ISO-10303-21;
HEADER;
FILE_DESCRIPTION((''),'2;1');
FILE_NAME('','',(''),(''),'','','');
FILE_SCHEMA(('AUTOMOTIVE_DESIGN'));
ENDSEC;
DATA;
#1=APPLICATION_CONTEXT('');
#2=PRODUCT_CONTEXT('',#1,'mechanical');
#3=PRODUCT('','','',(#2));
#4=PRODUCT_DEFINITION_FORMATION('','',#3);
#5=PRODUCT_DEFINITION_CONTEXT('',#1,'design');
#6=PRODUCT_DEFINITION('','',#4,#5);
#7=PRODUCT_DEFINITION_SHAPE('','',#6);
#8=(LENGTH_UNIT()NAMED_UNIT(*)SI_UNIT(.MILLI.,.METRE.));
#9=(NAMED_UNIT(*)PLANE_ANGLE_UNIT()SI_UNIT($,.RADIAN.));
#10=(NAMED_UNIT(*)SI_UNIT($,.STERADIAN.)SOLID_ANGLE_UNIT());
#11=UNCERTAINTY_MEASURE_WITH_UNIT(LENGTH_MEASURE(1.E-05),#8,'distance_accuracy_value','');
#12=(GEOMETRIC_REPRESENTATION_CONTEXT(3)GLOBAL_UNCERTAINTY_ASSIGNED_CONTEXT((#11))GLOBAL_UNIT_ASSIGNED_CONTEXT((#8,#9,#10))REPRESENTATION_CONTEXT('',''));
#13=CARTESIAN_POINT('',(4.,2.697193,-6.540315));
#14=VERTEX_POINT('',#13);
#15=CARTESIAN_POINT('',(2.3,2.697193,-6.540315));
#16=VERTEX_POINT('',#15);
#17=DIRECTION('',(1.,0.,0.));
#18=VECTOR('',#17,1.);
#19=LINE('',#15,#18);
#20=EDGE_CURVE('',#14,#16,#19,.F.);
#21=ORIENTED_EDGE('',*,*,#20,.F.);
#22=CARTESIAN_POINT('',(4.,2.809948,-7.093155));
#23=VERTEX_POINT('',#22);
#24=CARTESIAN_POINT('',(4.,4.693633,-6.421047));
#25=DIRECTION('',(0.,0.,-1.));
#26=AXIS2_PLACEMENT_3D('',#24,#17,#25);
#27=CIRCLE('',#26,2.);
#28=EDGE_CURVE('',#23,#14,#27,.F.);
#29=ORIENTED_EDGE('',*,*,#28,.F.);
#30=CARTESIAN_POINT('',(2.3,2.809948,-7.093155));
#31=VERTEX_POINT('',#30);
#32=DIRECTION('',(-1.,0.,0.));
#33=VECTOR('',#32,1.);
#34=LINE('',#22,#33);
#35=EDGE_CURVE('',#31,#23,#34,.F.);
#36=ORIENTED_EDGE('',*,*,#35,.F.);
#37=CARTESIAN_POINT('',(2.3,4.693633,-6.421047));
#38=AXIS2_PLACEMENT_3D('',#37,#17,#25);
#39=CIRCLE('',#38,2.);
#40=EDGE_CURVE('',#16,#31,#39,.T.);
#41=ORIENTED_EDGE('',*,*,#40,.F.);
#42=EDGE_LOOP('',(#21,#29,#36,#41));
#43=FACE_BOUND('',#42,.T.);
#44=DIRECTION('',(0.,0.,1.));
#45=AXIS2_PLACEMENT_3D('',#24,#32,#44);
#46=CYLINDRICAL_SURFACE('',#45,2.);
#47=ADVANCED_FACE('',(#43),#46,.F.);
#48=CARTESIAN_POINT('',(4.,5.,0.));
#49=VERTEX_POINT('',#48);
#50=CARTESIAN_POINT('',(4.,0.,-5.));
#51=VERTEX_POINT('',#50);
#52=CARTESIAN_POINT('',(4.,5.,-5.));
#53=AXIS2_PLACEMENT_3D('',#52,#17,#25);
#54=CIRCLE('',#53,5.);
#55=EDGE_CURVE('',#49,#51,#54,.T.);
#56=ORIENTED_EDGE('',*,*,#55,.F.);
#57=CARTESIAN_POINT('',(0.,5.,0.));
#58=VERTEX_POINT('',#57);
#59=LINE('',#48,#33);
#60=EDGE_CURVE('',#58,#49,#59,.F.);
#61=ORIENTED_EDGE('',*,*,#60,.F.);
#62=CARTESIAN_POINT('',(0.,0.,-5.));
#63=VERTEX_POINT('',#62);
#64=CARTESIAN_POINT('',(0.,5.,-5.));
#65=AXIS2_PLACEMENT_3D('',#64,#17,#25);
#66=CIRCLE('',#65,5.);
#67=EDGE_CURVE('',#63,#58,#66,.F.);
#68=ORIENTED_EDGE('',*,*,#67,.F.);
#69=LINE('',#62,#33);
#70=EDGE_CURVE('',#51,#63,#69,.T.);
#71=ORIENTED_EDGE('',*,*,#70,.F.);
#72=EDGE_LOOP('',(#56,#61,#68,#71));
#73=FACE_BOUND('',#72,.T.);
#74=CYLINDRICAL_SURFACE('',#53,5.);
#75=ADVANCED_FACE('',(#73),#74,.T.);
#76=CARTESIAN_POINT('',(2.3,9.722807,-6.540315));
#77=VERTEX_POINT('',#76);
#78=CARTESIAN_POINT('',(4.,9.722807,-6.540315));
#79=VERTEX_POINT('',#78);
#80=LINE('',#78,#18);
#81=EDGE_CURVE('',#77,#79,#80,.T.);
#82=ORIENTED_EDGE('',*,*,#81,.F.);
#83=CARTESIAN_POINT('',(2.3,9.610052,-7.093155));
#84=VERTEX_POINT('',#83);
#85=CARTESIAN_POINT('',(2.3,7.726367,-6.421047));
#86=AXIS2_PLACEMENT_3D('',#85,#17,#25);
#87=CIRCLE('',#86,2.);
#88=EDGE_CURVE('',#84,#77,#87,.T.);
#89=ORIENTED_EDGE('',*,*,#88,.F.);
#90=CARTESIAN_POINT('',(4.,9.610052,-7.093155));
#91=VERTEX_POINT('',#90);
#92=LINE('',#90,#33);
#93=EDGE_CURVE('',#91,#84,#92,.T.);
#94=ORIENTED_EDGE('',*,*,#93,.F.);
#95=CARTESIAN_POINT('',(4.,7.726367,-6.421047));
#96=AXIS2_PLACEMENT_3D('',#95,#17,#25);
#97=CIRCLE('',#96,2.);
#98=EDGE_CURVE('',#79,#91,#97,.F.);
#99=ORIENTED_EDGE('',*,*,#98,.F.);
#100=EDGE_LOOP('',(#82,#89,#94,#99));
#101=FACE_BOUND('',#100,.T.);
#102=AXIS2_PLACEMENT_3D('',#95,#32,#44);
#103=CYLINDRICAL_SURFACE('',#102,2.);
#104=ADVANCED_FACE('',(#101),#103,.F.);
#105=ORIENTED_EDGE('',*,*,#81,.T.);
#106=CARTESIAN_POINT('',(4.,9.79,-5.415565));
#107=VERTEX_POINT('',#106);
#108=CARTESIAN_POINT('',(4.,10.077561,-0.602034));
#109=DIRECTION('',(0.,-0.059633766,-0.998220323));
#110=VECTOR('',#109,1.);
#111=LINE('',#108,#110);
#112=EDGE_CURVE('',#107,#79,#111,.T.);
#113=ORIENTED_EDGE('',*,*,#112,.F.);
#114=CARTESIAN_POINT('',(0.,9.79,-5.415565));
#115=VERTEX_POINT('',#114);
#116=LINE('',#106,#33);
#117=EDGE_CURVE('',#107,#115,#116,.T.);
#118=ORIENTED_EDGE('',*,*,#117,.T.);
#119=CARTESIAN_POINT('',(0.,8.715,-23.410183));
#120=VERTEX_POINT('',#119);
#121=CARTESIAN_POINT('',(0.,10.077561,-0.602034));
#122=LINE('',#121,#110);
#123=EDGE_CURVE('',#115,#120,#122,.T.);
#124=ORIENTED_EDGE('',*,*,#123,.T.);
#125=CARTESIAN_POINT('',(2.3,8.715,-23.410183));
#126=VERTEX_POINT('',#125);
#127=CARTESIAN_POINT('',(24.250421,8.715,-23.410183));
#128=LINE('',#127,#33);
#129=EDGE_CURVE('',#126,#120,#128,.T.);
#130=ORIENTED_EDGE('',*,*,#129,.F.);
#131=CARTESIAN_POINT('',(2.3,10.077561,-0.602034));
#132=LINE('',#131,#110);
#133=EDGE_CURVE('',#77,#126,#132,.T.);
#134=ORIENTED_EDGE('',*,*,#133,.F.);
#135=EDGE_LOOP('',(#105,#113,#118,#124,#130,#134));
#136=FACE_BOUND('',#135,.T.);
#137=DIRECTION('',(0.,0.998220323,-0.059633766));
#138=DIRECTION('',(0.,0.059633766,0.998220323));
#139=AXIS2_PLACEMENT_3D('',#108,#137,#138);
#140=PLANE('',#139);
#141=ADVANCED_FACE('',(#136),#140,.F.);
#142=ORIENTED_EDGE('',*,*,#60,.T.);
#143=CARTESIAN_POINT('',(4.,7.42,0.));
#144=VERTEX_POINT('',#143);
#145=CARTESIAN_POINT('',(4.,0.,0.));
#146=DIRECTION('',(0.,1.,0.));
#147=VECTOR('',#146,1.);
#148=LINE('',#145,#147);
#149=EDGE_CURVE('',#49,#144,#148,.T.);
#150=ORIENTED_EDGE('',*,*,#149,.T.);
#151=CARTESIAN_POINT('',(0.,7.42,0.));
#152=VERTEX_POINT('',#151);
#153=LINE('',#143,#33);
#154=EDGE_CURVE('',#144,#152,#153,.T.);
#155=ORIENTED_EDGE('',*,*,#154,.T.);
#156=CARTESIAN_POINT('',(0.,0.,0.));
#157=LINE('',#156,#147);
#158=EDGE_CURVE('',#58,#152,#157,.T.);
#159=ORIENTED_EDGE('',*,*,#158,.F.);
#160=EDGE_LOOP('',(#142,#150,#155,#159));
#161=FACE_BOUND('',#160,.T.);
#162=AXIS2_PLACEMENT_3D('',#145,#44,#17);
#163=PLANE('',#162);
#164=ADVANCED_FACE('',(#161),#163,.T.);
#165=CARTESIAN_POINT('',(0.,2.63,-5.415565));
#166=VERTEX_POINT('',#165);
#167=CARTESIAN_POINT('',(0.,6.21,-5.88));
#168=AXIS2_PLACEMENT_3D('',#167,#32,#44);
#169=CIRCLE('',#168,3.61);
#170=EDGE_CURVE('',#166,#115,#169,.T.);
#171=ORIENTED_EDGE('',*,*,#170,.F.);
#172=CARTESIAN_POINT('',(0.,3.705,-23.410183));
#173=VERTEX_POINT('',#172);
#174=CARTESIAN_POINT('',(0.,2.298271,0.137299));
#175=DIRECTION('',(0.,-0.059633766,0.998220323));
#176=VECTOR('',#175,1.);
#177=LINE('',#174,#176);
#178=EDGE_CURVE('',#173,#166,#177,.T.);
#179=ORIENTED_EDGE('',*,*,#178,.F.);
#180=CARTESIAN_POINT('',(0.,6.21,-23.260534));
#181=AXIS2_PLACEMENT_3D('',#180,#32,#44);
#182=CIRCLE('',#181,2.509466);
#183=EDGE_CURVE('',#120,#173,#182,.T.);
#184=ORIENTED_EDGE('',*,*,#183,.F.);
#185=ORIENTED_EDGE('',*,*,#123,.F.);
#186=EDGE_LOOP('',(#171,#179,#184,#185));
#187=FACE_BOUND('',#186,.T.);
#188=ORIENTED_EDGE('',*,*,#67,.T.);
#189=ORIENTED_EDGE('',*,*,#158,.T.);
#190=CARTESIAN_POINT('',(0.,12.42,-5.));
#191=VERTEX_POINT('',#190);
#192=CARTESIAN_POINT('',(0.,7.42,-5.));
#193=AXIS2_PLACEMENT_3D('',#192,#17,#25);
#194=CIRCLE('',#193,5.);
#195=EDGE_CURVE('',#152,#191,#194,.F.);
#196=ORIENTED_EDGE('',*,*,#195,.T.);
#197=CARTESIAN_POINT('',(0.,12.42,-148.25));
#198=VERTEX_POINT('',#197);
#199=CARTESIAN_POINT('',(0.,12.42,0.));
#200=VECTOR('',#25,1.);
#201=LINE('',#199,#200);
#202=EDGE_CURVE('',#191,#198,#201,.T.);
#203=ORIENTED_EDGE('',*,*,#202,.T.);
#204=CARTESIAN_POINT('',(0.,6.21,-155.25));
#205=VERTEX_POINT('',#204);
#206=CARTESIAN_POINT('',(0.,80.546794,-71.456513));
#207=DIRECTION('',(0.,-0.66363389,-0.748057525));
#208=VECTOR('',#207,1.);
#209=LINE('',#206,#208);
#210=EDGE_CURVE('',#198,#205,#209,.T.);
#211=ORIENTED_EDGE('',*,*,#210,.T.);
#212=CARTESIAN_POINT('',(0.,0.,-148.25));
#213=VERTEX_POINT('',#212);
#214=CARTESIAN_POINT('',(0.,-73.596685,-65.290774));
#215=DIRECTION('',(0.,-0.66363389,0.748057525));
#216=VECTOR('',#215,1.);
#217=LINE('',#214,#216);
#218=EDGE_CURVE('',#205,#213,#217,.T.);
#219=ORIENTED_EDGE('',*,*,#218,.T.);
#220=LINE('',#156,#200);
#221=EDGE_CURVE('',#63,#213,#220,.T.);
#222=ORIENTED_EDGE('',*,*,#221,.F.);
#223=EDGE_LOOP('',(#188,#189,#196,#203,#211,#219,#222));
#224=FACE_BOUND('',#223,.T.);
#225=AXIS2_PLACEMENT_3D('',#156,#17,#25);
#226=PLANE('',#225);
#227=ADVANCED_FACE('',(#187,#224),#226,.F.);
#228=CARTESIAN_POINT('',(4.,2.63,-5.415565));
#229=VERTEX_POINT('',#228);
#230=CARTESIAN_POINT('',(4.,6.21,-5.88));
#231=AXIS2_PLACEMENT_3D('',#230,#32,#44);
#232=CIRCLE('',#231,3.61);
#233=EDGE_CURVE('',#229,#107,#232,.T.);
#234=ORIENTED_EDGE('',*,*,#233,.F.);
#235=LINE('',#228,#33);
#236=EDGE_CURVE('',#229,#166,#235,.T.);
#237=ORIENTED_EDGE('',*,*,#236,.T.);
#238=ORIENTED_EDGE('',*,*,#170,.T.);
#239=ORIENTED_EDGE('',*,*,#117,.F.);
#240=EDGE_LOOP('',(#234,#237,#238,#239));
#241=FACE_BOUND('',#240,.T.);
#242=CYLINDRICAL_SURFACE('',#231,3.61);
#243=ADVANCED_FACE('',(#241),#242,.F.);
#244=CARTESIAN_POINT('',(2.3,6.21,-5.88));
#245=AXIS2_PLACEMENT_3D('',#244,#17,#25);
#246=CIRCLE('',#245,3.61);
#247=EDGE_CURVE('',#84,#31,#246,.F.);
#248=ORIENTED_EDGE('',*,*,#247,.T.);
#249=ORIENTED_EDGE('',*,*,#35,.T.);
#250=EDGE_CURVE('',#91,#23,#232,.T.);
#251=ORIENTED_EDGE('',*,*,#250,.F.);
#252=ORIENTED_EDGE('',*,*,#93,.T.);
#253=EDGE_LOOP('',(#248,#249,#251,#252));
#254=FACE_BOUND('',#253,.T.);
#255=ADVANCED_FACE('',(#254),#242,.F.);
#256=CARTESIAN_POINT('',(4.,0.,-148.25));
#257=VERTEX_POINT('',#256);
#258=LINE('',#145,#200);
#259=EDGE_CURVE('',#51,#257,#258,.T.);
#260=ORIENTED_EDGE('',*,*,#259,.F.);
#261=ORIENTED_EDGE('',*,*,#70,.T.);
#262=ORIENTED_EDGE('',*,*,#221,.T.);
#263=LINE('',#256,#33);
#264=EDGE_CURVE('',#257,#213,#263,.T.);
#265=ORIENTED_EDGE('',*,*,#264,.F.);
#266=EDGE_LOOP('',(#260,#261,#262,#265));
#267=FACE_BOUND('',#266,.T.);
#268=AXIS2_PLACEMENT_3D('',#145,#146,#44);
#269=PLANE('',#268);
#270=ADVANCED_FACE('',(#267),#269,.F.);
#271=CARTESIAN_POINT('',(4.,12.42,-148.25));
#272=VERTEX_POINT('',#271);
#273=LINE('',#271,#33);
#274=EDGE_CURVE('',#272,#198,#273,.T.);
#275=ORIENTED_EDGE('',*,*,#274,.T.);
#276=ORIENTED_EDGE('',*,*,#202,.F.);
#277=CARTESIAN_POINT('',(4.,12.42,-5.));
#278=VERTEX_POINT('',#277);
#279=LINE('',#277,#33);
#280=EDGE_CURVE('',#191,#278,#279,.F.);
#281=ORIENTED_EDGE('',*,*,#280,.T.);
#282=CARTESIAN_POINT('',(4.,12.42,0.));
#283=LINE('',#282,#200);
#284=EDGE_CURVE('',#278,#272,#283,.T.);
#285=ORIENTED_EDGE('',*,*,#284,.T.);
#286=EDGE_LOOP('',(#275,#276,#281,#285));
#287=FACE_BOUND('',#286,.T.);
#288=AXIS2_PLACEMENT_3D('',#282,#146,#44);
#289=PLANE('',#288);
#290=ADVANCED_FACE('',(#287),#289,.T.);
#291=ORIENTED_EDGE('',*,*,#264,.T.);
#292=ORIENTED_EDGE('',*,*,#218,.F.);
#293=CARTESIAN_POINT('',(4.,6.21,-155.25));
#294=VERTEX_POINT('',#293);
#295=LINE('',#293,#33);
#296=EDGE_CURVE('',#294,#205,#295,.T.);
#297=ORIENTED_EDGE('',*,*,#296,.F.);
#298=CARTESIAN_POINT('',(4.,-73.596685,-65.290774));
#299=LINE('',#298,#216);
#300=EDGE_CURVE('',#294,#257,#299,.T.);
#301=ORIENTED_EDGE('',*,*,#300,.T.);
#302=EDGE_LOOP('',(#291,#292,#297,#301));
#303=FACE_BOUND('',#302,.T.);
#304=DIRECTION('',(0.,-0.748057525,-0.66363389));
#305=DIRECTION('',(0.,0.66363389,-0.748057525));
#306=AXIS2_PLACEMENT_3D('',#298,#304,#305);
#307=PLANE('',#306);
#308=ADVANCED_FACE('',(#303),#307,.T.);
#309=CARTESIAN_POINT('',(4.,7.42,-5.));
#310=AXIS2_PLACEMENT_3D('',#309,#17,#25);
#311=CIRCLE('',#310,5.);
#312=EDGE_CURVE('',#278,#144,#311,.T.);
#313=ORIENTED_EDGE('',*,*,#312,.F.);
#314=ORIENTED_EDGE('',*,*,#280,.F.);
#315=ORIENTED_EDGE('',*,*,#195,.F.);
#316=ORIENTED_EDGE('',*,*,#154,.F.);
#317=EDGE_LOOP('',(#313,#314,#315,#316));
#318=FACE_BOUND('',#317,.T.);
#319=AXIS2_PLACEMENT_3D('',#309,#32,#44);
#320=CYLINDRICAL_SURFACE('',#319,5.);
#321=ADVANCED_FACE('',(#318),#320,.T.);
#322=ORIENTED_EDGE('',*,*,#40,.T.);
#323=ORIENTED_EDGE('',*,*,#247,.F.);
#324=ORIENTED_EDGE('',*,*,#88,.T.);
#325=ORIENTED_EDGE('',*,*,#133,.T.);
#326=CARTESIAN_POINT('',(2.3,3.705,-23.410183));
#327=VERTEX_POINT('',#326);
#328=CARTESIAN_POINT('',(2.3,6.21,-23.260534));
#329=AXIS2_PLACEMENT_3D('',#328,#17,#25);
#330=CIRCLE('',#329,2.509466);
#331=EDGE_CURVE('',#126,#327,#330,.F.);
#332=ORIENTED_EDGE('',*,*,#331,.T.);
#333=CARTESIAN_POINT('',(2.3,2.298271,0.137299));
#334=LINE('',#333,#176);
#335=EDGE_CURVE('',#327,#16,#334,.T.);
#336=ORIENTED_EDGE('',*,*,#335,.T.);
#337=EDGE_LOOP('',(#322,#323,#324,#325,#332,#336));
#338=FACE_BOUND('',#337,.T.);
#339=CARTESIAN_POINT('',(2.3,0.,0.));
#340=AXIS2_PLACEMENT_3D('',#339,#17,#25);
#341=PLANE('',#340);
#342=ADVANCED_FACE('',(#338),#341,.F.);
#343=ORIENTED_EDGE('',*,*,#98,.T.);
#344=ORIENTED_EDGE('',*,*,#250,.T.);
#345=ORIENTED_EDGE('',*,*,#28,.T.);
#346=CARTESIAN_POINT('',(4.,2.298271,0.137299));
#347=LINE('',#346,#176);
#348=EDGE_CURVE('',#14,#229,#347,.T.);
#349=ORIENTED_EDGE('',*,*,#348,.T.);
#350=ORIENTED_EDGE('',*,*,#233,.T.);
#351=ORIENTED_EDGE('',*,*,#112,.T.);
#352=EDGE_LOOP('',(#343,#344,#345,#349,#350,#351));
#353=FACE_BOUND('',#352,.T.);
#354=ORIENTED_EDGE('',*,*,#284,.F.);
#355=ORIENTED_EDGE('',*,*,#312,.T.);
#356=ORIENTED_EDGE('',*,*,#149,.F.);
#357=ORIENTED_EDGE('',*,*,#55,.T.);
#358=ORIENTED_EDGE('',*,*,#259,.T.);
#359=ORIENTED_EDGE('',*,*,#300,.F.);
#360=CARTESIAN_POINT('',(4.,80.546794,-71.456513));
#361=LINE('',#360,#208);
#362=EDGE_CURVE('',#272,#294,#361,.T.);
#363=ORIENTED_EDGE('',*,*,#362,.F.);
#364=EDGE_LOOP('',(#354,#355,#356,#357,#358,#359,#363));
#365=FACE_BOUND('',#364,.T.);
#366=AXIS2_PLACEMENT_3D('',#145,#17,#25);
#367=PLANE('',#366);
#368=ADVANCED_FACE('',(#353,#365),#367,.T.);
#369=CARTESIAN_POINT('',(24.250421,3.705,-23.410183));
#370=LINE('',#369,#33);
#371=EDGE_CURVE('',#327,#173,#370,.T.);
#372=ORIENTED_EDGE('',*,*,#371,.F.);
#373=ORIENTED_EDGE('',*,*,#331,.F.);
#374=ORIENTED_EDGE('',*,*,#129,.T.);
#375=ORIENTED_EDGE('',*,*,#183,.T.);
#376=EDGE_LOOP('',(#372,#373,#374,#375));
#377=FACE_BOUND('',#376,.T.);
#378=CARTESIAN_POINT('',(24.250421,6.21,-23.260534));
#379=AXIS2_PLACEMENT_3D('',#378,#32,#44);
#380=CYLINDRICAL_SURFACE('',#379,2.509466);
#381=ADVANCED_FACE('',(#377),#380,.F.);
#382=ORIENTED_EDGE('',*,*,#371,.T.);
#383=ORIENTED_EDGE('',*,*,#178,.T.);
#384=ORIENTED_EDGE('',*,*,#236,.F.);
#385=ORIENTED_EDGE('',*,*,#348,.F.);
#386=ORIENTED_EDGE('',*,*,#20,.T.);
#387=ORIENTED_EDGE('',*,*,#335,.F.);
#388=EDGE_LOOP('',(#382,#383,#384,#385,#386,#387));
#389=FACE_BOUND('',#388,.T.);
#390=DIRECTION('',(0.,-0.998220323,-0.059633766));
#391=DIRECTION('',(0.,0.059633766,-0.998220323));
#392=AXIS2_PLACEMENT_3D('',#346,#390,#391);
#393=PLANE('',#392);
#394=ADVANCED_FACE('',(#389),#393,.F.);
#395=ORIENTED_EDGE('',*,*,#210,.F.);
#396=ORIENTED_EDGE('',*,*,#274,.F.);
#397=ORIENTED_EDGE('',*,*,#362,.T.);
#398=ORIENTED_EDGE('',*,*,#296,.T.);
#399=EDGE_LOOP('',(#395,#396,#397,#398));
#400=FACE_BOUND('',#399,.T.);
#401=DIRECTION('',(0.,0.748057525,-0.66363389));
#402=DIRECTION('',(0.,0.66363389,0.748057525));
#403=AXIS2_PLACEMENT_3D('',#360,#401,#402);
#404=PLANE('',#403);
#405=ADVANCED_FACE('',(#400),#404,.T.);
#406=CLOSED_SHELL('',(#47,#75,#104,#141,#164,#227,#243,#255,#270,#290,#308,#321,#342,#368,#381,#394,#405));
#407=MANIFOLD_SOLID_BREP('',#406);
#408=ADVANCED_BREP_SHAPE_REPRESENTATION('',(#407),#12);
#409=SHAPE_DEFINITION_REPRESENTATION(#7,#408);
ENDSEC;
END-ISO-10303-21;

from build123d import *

# Parameters (mm, degrees)
SKETCH1_W           = 135.25
SKETCH1_H           = 12.42
BOSS_EXTRUDE1_DEPTH = 4
CUT_EXTRUDE1_DEPTH  = 156.797364869
CUT_EXTRUDE2_DEPTH  = 2.3
FILLET1_R           = 5
FILLET2_R           = 2


with BuildPart() as part:
    # Sketch1 → Boss-Extrude1 (new body)
    with BuildSketch(Plane(origin=(0, 0, 0), x_dir=(0, 0, -1), z_dir=(1, 0, 0))):
        with Locations((67.625, 6.21)):
            Rectangle(SKETCH1_W, SKETCH1_H)
        Polygon((148.25, 0), (135.25, 0), (135.25, 12.42), (148.25, 12.42), (155.25, 6.21), align=None)
    extrude(amount=BOSS_EXTRUDE1_DEPTH)

    # Sketch7 → Cut-Extrude1 (cut, through all)
    with BuildSketch(Plane.ZY):
        with BuildLine():
            ThreePointArc((-2.27, 6.21), (-3.168108515, 8.592801832), (-5.415564859, 9.79))
            Line((-5.415564859, 9.79), (-6.76734979, 9.709244254))
            ThreePointArc((-6.76734979, 9.709244254), (-9.49, 6.21), (-6.76734979, 2.710755746))
            Line((-6.76734979, 2.710755746), (-5.415564859, 2.63))
            ThreePointArc((-5.415564859, 2.63), (-3.168108515, 3.827198168), (-2.27, 6.21))
        make_face()
    extrude(amount=-CUT_EXTRUDE1_DEPTH, mode=Mode.SUBTRACT)

    # Sketch7<3> → Cut-Extrude2 (cut)
    with BuildSketch(Plane.ZY):
        with BuildLine():
            ThreePointArc((-6.76734979, 2.710755746), (-9.49, 6.21), (-6.76734979, 9.709244254))
            Line((-6.76734979, 9.709244254), (-23.410182873, 8.715))
            ThreePointArc((-23.410182873, 8.715), (-25.77, 6.21), (-23.410182873, 3.705))
            Line((-23.410182873, 3.705), (-6.76734979, 2.710755746))
        make_face()
    extrude(amount=-CUT_EXTRUDE2_DEPTH, mode=Mode.SUBTRACT)

    # Fillet1
    fillet1_edges = [part.edges().sort_by_distance(p)[0] for p in [
        (2, 0, 0),
        (2, 12.42, 0),
    ]]
    fillet(fillet1_edges, radius=FILLET1_R)

    # Fillet2
    fillet2_edges = [part.edges().sort_by_distance(p)[0] for p in [
        (3.15, 9.709244254, -6.76734979),
        (3.15, 2.710755746, -6.76734979),
    ]]
    fillet(fillet2_edges, radius=FILLET2_R)


solid = part.part
